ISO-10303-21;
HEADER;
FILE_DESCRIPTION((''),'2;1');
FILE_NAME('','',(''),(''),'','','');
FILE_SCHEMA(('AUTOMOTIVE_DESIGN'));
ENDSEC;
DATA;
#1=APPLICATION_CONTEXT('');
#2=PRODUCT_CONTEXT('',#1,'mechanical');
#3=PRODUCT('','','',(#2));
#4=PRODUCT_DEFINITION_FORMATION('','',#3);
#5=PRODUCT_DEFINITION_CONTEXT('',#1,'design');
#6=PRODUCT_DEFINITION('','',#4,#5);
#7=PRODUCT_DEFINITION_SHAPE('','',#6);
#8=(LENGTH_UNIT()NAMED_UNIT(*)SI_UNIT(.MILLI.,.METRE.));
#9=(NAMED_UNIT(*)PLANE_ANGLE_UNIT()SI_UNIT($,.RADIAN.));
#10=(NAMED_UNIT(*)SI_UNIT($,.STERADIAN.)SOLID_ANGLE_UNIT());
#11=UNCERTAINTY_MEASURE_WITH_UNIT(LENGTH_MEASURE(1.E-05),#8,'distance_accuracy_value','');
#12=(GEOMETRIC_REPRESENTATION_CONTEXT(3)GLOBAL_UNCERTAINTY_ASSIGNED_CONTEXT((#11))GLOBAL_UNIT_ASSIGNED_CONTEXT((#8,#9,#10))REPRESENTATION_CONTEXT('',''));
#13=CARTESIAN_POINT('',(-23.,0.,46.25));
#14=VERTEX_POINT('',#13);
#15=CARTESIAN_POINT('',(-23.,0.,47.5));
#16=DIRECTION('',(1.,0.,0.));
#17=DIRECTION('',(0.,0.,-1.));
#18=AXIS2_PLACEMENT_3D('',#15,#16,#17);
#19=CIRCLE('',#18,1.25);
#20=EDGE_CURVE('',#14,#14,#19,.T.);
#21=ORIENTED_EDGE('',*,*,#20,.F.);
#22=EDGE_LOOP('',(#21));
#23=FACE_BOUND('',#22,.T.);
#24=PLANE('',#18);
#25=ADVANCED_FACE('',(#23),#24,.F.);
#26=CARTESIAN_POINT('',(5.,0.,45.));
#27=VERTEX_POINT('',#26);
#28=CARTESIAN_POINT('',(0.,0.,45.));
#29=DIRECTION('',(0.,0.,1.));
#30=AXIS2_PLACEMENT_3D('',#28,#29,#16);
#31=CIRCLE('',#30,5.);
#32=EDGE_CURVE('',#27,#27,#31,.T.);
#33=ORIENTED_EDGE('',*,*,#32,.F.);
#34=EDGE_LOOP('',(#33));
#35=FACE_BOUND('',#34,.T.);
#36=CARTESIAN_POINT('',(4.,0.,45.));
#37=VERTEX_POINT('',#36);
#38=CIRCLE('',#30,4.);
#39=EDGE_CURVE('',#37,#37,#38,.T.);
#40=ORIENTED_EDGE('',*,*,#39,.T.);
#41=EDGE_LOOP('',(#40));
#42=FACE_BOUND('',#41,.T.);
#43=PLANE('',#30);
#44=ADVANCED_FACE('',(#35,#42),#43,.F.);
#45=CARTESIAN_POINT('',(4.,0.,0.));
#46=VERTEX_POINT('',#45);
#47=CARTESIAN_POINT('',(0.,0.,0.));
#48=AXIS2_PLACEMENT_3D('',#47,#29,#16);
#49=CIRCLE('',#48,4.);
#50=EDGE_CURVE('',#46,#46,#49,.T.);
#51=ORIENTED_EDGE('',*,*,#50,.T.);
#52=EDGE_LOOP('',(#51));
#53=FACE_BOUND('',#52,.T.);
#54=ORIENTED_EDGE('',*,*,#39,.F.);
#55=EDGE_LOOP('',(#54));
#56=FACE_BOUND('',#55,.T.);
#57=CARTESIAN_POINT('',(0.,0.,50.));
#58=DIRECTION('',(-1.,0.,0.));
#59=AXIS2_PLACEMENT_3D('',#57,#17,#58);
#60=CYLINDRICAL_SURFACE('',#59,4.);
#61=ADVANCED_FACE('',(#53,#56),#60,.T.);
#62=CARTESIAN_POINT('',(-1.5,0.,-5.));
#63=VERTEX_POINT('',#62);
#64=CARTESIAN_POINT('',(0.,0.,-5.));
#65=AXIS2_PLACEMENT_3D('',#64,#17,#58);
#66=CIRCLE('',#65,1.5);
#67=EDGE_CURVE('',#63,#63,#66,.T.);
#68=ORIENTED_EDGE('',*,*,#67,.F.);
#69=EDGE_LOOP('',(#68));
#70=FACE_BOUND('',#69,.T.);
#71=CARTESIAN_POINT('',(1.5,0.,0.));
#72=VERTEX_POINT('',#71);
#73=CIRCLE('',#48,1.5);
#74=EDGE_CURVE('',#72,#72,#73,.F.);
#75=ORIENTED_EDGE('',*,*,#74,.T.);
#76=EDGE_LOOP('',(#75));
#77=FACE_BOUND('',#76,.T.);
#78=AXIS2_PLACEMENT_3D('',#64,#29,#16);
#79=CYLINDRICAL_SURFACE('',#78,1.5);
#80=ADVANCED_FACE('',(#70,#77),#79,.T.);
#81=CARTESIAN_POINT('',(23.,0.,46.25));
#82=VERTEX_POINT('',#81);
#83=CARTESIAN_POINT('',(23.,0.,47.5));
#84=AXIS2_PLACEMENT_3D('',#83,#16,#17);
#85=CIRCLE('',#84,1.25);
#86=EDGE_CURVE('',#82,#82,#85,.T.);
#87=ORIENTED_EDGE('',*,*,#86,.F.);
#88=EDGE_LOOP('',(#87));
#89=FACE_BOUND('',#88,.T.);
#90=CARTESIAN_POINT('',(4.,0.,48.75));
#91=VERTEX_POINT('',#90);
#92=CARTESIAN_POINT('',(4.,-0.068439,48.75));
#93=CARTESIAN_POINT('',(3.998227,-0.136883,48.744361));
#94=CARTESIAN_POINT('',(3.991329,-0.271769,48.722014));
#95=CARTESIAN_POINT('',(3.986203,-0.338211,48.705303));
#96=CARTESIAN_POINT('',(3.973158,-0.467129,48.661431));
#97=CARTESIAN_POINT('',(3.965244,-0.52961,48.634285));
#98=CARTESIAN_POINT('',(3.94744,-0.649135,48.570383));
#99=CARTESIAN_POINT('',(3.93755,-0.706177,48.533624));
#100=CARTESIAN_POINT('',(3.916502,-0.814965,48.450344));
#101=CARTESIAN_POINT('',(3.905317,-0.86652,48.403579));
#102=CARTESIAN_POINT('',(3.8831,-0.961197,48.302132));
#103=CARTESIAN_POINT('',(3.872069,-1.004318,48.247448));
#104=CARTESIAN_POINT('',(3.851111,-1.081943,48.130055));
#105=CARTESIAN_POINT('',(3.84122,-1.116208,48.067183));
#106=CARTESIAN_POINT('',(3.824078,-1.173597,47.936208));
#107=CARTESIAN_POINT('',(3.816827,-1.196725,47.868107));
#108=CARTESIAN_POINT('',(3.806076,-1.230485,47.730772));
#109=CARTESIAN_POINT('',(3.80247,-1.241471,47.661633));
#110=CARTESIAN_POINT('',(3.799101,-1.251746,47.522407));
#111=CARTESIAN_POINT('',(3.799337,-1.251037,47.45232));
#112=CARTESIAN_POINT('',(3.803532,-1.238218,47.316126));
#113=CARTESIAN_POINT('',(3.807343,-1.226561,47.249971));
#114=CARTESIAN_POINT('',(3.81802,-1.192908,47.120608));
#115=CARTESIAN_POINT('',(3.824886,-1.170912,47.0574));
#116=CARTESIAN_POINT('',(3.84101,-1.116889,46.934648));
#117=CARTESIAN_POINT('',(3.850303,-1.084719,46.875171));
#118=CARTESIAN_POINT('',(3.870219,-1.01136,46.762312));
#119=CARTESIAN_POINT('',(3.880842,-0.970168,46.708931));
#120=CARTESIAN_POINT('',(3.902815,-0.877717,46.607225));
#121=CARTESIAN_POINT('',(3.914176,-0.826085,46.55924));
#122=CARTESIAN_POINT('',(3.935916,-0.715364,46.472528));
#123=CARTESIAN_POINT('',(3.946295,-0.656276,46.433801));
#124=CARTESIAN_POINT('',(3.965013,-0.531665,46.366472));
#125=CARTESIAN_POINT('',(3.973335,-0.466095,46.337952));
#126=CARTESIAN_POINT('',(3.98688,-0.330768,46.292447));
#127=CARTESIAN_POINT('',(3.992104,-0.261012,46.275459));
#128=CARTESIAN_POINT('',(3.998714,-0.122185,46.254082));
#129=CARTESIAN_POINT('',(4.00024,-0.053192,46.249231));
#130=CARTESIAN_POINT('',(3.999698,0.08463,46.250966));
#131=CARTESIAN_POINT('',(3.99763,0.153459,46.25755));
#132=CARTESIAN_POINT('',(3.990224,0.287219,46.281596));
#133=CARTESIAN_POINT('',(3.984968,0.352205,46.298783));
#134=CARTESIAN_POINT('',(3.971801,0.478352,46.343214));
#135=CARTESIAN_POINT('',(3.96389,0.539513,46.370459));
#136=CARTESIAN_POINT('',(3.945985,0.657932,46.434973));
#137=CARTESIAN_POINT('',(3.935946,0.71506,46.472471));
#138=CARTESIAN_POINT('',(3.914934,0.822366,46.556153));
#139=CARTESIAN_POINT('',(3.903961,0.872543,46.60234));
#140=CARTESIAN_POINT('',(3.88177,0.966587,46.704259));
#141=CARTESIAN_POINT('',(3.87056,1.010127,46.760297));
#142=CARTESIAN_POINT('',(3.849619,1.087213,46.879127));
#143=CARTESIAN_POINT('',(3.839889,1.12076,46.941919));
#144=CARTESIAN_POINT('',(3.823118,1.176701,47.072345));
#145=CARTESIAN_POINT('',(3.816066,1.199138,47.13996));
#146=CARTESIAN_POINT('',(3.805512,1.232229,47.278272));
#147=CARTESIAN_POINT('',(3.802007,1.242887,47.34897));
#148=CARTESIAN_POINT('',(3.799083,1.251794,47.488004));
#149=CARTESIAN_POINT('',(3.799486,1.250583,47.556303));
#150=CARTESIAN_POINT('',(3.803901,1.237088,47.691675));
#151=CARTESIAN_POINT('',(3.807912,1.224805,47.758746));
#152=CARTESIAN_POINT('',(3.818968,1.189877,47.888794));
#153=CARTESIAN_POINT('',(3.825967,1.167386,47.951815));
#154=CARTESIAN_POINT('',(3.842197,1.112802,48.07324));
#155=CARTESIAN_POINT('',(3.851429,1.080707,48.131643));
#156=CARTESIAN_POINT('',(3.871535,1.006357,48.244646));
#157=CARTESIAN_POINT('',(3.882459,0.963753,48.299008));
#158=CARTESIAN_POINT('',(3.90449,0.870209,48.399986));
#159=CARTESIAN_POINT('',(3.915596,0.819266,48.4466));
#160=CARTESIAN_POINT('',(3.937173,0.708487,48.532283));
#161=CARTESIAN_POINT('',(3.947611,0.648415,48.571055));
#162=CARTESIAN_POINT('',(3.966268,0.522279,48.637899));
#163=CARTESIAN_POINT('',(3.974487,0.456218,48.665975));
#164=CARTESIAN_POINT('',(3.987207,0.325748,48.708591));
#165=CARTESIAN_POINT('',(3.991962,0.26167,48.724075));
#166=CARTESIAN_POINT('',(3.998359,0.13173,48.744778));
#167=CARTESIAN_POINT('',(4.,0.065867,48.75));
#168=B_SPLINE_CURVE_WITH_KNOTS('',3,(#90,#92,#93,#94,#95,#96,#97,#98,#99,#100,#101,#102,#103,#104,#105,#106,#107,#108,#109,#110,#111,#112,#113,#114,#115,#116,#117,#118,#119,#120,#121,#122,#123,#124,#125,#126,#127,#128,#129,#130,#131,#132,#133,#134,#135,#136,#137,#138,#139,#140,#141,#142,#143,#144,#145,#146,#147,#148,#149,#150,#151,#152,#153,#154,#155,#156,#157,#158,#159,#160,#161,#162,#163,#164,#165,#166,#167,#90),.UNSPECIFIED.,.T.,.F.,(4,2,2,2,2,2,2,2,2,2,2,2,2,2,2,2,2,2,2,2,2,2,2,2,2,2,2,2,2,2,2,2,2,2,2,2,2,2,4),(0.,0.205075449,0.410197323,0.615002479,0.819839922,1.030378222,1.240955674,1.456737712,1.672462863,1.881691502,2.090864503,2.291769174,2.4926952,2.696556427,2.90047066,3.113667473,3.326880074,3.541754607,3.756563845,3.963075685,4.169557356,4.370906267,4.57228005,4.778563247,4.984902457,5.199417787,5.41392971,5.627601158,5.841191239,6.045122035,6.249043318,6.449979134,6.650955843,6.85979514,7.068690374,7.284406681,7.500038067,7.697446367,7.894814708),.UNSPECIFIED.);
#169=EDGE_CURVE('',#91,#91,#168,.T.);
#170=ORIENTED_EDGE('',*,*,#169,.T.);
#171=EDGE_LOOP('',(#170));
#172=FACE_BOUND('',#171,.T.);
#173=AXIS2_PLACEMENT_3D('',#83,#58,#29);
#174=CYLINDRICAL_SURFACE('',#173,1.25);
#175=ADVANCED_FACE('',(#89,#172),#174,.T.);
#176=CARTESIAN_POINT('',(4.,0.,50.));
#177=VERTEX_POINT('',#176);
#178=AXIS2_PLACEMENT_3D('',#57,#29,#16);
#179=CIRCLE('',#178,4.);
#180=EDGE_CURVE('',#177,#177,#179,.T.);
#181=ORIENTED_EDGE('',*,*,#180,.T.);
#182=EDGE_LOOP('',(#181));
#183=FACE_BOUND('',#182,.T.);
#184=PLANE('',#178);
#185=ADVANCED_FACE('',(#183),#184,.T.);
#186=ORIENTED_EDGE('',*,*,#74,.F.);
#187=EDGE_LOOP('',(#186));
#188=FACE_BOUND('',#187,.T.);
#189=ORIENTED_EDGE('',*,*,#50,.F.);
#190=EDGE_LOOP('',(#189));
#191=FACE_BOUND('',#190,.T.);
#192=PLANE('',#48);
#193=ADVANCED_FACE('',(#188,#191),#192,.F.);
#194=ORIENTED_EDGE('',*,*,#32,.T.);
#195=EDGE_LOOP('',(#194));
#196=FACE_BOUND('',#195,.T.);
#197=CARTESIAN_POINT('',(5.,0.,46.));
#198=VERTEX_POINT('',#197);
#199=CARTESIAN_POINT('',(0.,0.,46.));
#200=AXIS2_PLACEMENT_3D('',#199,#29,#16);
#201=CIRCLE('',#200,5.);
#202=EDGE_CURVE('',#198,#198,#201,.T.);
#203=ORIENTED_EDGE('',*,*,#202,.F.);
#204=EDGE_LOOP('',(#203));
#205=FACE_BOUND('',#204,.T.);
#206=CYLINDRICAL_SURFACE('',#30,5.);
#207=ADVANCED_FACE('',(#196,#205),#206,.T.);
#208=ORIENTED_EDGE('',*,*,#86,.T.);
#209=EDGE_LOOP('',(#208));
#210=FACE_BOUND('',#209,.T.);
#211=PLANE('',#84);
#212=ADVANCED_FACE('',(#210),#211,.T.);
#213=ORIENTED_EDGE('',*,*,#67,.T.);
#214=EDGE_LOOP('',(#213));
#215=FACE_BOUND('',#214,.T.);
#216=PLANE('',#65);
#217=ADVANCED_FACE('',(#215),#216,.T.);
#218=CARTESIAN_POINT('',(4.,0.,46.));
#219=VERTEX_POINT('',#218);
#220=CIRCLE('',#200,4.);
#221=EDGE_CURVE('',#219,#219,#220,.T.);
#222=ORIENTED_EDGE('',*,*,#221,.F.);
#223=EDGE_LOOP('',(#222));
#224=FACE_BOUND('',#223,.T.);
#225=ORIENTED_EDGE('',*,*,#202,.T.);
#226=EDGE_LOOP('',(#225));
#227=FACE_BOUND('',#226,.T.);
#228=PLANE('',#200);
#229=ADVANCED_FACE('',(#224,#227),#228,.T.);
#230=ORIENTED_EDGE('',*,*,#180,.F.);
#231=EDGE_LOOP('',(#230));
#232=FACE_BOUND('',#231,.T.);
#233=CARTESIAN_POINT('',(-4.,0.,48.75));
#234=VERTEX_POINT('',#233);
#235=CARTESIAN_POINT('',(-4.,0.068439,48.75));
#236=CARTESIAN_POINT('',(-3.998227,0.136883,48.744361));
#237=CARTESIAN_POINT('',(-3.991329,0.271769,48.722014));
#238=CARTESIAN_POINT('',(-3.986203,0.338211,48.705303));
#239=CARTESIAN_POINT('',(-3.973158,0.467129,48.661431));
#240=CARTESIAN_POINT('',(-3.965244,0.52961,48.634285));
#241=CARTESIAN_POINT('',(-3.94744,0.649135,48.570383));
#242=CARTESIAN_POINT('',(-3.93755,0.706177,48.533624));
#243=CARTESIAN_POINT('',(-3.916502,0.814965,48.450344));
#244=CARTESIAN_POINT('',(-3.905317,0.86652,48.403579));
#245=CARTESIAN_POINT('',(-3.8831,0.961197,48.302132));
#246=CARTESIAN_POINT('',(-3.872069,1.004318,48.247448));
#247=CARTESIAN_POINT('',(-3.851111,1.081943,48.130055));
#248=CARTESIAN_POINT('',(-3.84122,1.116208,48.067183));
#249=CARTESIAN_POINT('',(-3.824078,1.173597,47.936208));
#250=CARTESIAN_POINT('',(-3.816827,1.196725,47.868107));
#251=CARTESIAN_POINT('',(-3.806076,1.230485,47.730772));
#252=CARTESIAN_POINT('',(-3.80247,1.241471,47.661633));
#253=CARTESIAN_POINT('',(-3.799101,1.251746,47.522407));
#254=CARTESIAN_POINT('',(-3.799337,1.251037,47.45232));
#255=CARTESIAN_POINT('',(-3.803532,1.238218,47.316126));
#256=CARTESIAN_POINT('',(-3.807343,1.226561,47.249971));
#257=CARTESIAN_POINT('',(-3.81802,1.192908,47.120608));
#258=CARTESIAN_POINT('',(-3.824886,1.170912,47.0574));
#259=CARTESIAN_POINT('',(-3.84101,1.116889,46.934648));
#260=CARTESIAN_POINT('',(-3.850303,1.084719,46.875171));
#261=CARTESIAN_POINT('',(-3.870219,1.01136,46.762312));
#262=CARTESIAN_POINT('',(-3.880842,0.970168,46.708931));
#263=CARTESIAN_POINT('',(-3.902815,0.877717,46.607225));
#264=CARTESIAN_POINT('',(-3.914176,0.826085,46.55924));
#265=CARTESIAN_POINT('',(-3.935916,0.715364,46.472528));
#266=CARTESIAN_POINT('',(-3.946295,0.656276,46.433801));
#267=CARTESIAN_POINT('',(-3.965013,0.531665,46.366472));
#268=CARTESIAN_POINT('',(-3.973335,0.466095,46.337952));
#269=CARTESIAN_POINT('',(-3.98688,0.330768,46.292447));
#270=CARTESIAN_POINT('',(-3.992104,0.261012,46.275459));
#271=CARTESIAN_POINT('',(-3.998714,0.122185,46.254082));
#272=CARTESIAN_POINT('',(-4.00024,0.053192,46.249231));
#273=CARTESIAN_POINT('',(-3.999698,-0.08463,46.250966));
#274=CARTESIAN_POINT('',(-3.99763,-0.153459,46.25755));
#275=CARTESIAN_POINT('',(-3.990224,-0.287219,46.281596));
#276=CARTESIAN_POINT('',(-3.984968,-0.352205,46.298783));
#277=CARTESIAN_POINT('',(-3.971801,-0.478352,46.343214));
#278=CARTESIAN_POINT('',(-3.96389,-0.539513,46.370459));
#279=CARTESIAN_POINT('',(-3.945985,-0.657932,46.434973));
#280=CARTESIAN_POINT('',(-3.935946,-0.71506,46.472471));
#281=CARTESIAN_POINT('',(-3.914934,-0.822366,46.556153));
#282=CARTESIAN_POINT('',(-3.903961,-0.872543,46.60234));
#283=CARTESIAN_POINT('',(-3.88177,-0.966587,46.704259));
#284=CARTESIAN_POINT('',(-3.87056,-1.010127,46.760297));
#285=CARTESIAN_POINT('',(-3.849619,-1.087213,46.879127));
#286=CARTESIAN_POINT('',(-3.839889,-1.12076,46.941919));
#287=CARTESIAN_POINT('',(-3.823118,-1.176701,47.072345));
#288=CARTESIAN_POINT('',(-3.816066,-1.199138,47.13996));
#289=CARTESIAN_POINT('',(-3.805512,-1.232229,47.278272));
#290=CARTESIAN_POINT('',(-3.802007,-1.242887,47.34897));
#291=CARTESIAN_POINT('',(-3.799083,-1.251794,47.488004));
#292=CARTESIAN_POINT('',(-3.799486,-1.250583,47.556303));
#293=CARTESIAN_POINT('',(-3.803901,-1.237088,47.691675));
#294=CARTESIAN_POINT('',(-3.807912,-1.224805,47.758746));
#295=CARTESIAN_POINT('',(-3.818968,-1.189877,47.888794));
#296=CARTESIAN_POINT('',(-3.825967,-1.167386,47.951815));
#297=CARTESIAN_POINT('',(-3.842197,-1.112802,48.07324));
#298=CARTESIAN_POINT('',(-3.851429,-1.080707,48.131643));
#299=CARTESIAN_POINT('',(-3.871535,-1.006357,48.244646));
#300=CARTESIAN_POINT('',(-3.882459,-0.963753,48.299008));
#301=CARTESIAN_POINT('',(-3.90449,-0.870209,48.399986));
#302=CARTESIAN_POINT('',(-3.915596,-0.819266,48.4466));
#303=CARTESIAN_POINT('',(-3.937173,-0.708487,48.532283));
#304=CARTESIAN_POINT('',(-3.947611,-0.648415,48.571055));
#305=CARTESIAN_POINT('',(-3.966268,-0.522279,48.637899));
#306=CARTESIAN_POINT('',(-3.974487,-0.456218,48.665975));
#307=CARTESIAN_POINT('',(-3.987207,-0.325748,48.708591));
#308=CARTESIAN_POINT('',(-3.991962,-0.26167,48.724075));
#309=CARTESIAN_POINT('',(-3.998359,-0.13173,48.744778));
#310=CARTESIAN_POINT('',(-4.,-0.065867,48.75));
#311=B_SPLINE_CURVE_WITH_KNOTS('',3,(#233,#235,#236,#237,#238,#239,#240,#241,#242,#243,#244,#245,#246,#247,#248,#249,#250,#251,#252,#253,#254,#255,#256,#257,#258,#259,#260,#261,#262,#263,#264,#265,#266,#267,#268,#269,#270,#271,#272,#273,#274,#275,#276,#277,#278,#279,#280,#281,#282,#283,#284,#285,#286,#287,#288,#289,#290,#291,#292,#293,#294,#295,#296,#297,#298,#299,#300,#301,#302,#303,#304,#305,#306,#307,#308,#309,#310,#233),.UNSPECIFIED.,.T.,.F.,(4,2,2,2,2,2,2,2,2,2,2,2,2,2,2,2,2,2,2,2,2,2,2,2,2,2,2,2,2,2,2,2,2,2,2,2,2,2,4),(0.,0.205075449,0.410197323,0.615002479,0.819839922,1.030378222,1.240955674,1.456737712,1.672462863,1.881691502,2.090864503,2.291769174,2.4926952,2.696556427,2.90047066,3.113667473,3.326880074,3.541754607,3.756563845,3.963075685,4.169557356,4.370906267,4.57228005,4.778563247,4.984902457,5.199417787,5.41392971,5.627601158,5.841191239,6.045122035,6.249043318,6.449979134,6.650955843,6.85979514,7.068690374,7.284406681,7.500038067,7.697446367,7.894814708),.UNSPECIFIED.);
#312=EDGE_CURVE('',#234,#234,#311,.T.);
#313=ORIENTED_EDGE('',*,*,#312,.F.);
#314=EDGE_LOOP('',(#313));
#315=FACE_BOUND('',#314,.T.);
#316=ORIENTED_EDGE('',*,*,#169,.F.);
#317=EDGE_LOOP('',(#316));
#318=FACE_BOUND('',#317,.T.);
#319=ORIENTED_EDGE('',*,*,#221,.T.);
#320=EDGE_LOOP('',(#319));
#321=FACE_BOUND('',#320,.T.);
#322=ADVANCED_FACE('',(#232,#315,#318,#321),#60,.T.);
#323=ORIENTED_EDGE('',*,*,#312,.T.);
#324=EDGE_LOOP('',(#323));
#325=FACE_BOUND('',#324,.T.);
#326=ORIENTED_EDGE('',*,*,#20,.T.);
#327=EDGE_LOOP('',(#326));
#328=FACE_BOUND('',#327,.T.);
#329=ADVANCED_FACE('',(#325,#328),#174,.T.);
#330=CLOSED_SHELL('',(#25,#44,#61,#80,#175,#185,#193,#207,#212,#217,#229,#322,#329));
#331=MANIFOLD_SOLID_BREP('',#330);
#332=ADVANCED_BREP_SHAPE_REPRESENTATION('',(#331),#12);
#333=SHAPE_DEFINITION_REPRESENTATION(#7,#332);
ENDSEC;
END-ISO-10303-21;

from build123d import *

# Parameters (mm, degrees)
SKETCH1_R           = 4
BOSS_EXTRUDE1_DEPTH = 50
SKETCH2_R           = 5
BOSS_EXTRUDE2_DEPTH = 1
SKETCH3_R           = 1.25
BOSS_EXTRUDE3_DEPTH = 23
SKETCH4_R           = 1.5
BOSS_EXTRUDE4_DEPTH = 5


with BuildPart() as part:
    # Sketch1 → Boss-Extrude1 (new body)
    with BuildSketch(Plane.XY):
        Circle(SKETCH1_R)
    extrude(amount=BOSS_EXTRUDE1_DEPTH)

    # Sketch2 → Boss-Extrude2 (add)
    with BuildSketch(Plane.XY.offset(46)):
        Circle(SKETCH2_R)
    extrude(amount=-BOSS_EXTRUDE2_DEPTH)

    # Sketch3 → Boss-Extrude3 (add, symmetric)
    with BuildSketch(Plane(origin=(0, 0, 0), x_dir=(0, 0, -1), z_dir=(1, 0, 0))):
        with Locations((-47.5, 0)):
            Circle(SKETCH3_R)
    extrude(amount=BOSS_EXTRUDE3_DEPTH, both=True)

    # Sketch4 → Boss-Extrude4 (add)
    with BuildSketch(Plane(origin=(0, 0, 0), x_dir=(-1, 0, 0), z_dir=(0, 0, -1))):
        Circle(SKETCH4_R)
    extrude(amount=BOSS_EXTRUDE4_DEPTH)


solid = part.part
